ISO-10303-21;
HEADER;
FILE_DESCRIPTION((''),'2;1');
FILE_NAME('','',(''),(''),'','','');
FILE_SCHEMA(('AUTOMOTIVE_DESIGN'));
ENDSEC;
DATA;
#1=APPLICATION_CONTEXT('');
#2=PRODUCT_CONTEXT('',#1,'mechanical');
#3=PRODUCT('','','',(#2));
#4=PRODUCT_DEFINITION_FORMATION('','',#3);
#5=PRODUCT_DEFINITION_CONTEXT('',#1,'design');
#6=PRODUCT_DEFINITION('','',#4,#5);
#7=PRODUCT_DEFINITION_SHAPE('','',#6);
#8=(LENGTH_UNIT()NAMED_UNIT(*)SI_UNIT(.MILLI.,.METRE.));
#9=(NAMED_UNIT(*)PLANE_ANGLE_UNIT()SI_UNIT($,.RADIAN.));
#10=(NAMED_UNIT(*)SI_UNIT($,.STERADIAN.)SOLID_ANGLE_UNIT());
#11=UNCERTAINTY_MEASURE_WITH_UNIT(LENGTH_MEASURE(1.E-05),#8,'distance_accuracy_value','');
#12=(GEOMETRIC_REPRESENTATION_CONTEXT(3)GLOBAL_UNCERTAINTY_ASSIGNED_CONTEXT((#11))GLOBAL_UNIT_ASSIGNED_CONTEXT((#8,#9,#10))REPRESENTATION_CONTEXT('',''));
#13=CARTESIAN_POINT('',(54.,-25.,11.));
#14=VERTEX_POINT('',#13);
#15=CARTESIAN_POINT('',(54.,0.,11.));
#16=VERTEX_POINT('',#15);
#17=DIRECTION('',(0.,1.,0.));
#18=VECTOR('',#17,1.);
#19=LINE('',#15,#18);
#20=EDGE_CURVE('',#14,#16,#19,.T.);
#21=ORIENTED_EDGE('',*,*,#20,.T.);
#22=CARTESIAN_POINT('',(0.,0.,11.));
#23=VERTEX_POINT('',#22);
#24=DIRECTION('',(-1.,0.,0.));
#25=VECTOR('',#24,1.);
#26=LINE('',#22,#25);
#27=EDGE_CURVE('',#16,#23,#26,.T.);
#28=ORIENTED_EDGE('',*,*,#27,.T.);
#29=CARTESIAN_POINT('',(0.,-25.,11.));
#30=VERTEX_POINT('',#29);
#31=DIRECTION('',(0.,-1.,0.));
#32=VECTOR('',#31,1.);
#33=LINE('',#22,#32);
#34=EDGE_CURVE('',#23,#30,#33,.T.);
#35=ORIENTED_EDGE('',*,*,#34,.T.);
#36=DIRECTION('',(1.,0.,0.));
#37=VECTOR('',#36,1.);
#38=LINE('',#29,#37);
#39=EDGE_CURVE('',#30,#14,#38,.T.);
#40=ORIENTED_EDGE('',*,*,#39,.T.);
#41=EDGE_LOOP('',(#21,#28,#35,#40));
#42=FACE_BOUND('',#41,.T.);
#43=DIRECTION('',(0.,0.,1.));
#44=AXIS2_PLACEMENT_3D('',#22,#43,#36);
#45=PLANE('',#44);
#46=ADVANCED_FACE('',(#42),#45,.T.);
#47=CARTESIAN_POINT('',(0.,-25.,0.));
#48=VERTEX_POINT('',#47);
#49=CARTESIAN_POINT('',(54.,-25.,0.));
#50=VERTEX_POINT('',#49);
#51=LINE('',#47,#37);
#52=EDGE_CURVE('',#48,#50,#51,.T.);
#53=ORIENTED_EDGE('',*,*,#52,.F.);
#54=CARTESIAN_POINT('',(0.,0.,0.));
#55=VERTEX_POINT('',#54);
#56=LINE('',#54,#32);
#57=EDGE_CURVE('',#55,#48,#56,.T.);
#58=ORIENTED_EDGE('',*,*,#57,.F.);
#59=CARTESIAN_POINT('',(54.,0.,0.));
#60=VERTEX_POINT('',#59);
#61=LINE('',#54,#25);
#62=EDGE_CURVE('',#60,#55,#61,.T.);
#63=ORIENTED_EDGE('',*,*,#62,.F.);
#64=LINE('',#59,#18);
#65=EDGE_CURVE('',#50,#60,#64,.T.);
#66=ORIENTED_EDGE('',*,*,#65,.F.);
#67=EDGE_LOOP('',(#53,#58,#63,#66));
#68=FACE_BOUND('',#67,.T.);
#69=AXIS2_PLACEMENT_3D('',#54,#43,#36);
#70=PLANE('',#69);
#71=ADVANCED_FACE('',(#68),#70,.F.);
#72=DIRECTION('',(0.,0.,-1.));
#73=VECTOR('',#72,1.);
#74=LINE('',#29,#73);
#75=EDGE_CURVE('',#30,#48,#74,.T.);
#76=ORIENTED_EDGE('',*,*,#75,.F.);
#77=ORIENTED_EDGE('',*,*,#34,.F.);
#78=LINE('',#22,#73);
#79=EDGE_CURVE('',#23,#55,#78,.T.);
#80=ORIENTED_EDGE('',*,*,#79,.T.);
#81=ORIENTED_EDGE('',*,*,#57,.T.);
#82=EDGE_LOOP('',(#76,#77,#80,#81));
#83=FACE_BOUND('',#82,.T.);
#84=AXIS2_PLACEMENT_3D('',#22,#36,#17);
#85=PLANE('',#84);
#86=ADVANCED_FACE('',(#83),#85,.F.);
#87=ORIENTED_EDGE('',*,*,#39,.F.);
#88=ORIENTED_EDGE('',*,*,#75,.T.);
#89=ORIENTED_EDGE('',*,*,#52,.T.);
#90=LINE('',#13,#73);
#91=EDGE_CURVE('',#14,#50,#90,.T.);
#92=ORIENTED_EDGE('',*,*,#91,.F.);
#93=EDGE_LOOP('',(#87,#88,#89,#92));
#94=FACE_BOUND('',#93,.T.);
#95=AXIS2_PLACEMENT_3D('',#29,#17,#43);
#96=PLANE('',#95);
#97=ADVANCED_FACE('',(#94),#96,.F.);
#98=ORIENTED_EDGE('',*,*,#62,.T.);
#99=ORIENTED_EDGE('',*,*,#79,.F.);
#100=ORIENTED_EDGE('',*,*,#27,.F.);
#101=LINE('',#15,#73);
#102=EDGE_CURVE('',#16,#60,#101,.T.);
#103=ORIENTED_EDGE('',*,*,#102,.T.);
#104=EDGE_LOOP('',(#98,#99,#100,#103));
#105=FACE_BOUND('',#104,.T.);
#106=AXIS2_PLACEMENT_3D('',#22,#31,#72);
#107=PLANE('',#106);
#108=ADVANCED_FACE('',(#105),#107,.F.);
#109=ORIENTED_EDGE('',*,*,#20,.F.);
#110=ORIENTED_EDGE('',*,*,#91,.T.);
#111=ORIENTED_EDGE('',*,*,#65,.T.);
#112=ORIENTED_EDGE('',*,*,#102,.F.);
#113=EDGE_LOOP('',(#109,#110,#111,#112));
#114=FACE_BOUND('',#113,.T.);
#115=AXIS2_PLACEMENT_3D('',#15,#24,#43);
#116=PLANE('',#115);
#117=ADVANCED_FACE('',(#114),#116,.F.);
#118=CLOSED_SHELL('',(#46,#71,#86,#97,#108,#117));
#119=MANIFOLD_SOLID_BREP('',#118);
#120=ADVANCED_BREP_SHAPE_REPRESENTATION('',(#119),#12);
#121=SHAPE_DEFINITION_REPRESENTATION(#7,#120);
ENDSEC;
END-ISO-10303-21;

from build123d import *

# Parameters (mm, degrees)
ESBO_O1_W                = 54
ESBO_O1_H                = 25
RESSALTO_EXTRUS_O1_DEPTH = 11


with BuildPart() as part:
    # Esboço1 → Ressalto-extrusão1 (new body)
    with BuildSketch(Plane.XY):
        with Locations((27, -12.5)):
            Rectangle(ESBO_O1_W, ESBO_O1_H)
    extrude(amount=RESSALTO_EXTRUS_O1_DEPTH)


solid = part.part
